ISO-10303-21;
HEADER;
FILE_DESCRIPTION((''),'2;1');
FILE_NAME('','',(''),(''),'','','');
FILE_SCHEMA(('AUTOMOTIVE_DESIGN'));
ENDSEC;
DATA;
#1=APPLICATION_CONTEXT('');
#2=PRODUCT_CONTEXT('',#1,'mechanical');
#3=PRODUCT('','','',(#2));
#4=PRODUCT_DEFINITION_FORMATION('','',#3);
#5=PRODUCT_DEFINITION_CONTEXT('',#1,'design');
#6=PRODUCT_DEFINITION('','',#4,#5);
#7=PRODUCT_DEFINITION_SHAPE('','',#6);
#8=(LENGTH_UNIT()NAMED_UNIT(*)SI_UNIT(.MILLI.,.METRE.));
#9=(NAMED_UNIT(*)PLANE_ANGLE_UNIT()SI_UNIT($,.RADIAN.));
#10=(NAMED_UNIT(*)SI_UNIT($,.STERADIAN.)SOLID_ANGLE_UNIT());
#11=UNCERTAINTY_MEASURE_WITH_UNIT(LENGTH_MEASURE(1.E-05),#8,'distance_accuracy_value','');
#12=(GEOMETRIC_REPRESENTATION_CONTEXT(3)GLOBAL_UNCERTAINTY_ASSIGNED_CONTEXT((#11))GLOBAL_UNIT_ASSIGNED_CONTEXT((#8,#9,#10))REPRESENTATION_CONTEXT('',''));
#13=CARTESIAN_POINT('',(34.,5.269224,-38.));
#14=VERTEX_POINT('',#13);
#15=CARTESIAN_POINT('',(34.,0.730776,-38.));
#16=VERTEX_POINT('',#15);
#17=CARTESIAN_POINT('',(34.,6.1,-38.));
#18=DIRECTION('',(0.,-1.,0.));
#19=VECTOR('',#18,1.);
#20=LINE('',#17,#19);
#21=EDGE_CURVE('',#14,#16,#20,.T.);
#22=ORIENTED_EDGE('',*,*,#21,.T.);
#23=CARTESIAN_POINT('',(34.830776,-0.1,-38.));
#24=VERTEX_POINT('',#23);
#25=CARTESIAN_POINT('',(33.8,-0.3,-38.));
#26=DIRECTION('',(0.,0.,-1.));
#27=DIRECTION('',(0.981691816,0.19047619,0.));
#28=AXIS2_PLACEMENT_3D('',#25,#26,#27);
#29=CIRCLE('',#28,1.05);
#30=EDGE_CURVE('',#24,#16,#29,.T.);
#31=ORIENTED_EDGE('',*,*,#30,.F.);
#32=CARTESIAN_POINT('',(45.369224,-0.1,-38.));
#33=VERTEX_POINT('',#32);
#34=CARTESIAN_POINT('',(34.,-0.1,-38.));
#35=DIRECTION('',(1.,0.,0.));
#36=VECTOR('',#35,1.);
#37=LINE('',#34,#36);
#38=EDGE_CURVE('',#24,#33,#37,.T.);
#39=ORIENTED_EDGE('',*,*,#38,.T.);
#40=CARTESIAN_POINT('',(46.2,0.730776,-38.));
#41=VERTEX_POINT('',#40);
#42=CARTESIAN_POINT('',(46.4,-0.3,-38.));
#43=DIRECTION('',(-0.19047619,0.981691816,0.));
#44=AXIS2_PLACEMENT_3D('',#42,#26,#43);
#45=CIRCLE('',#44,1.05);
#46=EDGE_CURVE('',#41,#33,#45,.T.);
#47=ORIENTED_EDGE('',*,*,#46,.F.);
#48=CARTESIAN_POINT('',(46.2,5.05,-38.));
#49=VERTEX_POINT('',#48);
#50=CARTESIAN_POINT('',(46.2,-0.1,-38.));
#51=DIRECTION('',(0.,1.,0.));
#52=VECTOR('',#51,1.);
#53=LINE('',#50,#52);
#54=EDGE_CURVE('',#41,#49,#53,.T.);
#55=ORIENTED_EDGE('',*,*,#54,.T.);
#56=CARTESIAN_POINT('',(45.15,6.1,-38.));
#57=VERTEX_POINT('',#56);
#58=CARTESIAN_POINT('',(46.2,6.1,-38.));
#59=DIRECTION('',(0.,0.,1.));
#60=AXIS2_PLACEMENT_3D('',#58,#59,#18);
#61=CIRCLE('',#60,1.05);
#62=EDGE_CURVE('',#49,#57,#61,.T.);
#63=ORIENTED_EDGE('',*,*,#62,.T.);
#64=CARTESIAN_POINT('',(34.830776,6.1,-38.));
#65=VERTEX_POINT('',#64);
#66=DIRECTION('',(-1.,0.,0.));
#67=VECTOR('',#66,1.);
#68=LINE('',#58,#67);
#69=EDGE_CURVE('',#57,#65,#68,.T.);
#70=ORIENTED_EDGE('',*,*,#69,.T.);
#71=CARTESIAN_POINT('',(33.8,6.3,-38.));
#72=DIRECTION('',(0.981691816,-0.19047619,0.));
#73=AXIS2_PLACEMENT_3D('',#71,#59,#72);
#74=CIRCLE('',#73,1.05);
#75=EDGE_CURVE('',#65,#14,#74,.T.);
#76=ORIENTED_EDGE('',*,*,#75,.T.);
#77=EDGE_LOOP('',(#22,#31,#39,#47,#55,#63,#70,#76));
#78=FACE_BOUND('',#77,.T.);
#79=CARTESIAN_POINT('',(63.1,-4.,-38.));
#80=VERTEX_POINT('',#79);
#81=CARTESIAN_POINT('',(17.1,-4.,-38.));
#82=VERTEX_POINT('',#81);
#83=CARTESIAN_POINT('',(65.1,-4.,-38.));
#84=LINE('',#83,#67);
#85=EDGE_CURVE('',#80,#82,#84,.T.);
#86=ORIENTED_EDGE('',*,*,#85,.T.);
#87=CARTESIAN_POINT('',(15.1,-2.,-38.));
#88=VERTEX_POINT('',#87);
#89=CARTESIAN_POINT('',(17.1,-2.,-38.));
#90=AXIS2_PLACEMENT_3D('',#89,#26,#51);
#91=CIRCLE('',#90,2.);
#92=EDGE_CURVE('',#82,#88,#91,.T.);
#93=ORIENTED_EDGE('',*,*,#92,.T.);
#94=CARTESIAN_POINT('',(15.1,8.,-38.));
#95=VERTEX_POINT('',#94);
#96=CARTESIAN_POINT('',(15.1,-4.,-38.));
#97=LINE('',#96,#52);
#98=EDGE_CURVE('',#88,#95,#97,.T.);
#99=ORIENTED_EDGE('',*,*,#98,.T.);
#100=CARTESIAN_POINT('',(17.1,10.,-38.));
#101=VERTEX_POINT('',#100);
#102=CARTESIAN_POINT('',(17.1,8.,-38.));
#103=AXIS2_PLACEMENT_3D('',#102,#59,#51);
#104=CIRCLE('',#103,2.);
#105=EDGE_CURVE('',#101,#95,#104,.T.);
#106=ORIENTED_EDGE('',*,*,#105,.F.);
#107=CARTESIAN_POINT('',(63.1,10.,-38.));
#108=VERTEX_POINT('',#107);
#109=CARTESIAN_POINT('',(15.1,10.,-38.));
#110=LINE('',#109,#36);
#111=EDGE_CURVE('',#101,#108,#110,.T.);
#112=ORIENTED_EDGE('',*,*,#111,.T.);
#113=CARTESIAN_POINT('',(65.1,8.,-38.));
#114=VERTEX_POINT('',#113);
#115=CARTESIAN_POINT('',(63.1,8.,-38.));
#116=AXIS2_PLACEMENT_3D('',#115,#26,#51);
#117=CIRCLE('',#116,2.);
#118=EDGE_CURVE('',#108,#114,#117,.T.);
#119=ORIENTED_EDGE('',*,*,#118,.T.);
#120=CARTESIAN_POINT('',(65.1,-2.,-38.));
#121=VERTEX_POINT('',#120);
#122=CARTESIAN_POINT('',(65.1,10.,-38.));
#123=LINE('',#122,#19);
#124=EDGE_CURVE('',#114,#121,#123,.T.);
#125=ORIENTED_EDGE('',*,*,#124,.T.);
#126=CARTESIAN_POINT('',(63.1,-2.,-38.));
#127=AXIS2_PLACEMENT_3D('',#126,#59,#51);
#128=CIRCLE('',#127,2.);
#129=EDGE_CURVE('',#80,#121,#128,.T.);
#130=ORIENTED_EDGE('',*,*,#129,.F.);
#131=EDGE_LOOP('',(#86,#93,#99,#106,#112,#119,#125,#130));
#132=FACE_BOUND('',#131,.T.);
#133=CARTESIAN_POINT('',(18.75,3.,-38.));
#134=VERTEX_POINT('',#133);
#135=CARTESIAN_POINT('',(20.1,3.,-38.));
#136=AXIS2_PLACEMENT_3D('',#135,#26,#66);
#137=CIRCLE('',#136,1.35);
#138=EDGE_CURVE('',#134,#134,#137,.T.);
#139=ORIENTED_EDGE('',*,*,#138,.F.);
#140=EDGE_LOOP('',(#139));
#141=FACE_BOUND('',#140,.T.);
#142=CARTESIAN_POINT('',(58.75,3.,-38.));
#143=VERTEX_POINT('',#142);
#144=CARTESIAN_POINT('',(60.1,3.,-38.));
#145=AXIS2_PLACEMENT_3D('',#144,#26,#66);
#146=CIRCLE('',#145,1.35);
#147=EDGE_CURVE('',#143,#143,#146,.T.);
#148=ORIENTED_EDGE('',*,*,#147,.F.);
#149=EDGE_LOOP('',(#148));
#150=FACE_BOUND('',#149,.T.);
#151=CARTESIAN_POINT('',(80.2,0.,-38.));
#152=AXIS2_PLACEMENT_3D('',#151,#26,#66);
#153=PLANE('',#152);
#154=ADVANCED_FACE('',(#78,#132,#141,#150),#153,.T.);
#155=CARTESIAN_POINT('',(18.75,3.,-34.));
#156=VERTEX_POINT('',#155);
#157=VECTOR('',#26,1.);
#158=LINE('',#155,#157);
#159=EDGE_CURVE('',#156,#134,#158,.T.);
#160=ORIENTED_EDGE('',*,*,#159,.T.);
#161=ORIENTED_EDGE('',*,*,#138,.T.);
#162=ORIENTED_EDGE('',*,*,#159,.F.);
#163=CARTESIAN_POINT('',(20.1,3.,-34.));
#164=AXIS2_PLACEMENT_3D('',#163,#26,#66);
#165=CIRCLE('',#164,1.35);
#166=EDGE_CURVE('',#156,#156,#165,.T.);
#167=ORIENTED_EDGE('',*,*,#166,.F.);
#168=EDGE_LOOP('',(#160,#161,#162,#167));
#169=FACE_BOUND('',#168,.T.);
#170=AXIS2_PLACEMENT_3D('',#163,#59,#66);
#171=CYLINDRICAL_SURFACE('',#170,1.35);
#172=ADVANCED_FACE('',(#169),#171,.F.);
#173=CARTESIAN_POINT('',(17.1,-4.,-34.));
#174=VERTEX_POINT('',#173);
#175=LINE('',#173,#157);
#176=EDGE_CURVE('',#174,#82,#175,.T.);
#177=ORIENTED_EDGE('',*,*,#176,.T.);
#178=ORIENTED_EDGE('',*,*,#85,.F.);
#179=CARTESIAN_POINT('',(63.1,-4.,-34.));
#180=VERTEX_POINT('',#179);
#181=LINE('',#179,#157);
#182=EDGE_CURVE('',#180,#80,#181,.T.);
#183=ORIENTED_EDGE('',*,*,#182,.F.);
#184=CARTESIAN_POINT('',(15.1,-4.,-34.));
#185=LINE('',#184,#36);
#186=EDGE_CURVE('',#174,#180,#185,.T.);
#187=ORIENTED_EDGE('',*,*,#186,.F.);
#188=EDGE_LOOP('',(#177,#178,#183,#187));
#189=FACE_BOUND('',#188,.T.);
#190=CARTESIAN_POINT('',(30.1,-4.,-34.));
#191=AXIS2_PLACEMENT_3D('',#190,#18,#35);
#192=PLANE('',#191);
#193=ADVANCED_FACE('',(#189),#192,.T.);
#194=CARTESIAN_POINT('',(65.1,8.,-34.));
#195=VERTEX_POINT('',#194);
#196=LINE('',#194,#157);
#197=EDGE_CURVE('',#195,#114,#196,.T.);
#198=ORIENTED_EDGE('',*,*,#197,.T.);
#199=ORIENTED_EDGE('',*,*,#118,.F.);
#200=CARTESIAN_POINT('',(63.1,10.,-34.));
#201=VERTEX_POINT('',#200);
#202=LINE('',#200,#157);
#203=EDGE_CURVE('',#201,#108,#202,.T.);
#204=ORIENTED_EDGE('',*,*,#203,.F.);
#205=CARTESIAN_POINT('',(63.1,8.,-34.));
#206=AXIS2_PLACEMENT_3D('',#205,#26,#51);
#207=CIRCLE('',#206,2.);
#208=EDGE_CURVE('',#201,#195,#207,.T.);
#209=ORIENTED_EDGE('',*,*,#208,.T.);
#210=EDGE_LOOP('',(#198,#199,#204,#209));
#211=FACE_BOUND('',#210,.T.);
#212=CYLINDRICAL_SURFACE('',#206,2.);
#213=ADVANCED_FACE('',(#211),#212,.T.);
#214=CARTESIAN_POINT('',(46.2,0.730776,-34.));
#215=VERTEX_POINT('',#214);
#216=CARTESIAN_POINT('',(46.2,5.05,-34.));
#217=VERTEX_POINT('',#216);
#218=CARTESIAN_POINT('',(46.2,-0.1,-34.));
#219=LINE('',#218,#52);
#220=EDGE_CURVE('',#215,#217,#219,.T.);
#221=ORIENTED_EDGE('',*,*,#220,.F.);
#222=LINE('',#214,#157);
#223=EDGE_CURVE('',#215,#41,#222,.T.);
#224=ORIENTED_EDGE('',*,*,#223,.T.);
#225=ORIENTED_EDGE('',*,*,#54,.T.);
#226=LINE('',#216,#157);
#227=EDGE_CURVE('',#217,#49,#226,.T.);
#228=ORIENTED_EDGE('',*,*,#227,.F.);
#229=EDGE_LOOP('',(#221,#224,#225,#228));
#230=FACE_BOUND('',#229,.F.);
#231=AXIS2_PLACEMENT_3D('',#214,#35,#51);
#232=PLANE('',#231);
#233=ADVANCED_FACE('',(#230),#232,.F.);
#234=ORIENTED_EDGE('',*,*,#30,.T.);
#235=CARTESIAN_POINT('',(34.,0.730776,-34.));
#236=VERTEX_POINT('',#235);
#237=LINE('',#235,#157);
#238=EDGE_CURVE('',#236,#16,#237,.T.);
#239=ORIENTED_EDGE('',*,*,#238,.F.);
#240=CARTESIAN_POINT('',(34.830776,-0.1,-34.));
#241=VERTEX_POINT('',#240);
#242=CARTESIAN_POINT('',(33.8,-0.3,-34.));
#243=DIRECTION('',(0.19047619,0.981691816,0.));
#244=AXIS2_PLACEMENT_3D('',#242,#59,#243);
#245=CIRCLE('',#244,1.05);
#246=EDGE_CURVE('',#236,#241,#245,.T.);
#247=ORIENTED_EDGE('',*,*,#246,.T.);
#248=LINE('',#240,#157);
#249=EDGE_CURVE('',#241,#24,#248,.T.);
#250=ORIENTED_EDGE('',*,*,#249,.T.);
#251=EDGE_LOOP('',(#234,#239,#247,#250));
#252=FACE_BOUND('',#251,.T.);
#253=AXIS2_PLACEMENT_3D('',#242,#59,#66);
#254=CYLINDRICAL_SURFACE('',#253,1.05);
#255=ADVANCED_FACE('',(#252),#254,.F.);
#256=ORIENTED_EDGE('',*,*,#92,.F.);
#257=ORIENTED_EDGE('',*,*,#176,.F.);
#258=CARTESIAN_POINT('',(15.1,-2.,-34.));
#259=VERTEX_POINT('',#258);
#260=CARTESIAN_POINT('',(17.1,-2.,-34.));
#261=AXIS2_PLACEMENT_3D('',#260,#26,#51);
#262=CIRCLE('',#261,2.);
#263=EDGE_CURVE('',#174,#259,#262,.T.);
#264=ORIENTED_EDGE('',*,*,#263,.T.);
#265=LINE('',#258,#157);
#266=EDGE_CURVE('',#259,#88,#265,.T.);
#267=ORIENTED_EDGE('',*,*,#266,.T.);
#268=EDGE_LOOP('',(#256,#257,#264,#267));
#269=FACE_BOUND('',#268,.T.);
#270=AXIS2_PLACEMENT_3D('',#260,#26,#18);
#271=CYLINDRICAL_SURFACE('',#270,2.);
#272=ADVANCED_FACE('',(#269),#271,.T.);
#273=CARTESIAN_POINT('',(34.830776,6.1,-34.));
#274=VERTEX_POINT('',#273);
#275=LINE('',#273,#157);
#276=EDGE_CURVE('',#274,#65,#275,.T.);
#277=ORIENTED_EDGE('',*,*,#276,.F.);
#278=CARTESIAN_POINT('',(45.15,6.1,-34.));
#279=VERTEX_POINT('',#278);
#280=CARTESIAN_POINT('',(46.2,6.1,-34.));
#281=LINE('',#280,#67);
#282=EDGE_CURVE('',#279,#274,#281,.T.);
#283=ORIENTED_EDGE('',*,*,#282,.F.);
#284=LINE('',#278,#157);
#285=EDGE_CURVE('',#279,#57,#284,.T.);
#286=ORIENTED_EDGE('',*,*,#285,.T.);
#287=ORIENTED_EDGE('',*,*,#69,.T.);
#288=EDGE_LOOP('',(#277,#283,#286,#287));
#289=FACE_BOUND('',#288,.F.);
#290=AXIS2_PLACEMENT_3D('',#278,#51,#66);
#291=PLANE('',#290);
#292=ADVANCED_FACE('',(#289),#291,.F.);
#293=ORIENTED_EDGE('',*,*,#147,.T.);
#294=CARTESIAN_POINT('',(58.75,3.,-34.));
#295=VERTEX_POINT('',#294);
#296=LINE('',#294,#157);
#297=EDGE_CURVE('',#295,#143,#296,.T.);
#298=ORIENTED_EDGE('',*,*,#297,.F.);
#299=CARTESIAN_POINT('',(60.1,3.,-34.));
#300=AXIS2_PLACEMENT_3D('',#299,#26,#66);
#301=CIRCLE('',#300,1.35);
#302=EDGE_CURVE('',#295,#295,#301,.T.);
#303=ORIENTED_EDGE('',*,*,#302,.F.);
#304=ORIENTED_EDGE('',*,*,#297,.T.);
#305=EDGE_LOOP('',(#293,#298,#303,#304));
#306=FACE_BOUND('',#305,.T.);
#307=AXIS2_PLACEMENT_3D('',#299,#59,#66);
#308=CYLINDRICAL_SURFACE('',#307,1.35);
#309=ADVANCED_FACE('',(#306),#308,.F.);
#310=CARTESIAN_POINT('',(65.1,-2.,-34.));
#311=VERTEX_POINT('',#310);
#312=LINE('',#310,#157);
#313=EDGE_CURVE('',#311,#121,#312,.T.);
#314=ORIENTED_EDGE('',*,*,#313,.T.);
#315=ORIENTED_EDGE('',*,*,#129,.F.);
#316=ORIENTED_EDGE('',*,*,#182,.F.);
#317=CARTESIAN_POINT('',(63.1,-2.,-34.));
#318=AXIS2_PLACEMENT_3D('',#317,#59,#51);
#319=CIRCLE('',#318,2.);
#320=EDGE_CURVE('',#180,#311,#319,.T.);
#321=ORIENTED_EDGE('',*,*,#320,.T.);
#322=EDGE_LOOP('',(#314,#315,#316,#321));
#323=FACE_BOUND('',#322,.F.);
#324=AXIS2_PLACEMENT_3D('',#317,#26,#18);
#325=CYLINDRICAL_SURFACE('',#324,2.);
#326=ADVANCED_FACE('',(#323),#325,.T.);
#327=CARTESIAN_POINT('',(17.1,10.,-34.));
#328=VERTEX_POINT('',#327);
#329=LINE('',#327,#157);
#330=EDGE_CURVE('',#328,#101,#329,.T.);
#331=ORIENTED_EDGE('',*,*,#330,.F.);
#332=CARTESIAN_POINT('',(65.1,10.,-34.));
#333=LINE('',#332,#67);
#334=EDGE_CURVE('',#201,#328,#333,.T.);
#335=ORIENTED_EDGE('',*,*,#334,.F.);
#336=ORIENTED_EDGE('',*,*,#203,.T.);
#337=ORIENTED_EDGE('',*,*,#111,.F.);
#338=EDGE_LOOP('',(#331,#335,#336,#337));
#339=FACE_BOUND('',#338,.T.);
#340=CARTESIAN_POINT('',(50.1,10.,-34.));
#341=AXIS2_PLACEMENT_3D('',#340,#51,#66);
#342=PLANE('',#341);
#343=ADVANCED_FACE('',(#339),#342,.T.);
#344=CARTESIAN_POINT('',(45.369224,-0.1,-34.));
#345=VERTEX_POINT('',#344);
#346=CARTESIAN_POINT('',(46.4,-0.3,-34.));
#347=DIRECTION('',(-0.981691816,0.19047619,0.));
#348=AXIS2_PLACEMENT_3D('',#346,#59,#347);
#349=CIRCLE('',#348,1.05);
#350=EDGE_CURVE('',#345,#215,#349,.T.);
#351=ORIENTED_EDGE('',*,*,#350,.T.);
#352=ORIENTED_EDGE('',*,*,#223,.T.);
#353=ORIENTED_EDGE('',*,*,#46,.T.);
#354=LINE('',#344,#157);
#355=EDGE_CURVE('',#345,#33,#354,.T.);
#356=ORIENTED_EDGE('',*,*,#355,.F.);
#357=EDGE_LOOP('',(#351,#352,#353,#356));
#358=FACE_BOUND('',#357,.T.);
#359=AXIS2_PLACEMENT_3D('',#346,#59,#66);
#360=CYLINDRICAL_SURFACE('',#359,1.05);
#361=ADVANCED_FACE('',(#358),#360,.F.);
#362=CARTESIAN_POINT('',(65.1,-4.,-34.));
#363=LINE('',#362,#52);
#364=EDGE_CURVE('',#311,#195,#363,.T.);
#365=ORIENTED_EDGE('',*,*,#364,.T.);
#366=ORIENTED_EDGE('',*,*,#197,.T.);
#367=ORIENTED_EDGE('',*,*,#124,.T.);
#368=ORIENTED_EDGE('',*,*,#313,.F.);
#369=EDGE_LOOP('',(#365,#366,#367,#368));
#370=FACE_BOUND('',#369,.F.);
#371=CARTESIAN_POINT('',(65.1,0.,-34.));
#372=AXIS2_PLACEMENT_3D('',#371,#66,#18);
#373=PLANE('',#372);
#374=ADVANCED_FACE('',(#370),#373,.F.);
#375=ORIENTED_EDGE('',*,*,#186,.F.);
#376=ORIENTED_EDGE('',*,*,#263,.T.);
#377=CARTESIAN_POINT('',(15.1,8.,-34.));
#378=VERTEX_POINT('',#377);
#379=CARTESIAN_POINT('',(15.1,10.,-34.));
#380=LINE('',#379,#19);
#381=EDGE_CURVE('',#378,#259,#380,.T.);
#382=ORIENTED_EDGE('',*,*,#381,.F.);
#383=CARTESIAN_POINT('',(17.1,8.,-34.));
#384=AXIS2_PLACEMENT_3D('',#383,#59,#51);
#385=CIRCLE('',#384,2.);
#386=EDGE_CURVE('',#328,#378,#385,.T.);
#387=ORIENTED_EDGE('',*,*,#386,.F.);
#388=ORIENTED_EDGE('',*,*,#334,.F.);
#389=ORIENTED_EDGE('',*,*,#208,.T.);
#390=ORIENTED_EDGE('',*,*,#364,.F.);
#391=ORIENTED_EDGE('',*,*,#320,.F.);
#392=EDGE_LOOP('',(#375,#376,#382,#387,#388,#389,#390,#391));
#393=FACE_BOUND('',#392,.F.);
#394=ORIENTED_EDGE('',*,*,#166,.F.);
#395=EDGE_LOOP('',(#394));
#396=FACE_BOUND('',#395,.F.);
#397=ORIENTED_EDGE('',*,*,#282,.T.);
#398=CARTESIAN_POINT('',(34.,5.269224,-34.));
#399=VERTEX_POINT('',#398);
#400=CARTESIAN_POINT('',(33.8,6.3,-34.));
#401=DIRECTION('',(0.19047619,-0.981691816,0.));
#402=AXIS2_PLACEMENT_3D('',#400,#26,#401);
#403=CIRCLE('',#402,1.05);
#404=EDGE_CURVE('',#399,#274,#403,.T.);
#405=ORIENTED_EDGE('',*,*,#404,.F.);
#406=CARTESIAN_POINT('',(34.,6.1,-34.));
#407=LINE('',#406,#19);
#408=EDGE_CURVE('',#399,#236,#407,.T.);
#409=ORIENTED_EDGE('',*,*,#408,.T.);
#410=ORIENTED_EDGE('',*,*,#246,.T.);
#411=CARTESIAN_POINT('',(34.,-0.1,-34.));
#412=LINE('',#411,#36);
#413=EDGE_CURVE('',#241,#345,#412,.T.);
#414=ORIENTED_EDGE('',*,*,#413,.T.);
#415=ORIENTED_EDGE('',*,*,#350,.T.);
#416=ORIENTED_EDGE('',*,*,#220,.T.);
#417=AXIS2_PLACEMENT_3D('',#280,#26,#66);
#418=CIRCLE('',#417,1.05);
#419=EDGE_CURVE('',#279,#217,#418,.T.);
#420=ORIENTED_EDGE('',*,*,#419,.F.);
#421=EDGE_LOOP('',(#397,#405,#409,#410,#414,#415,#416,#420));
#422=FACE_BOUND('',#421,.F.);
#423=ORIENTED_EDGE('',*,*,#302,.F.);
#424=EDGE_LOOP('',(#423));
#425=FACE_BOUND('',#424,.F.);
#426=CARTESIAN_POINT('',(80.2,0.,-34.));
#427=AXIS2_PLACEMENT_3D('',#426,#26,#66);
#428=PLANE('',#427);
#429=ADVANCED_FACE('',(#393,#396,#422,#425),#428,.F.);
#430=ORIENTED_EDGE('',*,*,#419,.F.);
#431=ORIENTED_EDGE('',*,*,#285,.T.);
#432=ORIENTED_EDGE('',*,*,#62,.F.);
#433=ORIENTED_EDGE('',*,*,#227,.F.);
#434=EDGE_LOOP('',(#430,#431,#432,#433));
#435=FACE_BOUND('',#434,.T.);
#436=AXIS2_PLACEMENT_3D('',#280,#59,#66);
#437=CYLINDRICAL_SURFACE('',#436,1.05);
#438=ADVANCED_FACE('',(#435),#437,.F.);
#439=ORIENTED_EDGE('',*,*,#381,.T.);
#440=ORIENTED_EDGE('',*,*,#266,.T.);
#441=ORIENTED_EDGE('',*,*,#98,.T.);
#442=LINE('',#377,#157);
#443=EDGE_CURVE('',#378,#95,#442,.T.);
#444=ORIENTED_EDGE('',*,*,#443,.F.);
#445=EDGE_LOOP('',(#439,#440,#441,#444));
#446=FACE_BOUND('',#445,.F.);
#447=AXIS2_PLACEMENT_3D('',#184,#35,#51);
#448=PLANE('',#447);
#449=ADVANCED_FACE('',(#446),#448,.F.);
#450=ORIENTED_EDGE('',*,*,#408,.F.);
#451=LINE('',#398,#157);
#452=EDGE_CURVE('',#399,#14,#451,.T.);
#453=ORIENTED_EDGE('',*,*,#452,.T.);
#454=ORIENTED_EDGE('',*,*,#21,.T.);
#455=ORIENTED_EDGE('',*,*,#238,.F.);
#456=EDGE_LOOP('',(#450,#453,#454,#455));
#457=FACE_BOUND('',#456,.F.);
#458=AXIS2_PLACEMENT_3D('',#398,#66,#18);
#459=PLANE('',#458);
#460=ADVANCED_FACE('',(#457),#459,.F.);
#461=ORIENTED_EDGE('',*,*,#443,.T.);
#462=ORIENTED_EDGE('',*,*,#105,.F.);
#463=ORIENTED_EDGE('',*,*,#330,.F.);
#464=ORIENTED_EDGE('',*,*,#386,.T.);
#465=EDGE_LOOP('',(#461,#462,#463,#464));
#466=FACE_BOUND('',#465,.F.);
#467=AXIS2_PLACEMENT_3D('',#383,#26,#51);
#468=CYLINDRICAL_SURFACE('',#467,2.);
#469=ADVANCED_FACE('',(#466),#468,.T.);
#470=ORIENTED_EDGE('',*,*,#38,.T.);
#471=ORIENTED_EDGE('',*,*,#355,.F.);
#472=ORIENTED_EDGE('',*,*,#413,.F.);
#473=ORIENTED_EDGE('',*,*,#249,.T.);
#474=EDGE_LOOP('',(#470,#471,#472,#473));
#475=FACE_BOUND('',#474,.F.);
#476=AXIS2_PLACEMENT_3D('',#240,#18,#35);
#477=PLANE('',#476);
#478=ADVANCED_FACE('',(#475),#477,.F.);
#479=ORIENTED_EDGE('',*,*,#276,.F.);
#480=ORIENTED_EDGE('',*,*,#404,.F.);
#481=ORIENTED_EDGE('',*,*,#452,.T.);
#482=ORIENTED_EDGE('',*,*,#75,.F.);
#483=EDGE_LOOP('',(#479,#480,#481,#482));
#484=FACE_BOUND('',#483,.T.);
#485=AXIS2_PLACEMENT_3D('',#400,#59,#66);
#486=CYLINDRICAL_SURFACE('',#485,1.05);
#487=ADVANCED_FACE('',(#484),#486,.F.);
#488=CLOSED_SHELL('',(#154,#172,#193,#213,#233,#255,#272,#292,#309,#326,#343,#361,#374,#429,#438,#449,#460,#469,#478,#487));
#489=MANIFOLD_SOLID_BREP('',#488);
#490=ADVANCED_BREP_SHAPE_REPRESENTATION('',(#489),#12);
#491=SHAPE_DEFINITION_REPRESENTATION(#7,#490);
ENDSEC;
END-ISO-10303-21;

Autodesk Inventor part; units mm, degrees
ref_plane "YZ Plane" through (0, 0, 0) normal (1, 0, 0) x (0, 1, 0)
ref_plane "XZ Plane" through (0, 0, 0) normal (0, 1, 0) x (-1, 0, 0)
ref_plane "XY Plane" through (0, 0, 0) normal (0, 0, 1) x (1, 0, 0)
ref_plane "작업 평면1" through (80.2, 0, -34) normal (0, 0, -1) x (-1, 0, 0)
sketch "스케치1" plane through (80.2, 0, -34) normal (0, 0, -1) x (-1, 0, 0)
  line L0 (34.1, 0) -> (46.1, 0) projected
  line L1 (46.1, 0) -> (46.1, 6) projected
  line L2 (34.1, 6) -> (46.1, 6) projected
  line L3 (34.1, 0) -> (34.1, 6) projected
  line L4 (46.2, 6.1) -> (46.2, -0.1)
  line L5 (46.2, -0.1) -> (34, -0.1)
  line L6 (34, -0.1) -> (34, 6.1)
  line L7 (34, 6.1) -> (46.2, 6.1)
  line L8 (33.1, 0) -> (33.1, 6) projected
  line L9 (0, 6) -> (33.1, 6) projected
  line L10 (0, 0) -> (0, 6) projected
  line L11 (0, 0) -> (33.1, 0) projected
  circle A0 centre (20.1, 3) radius 1.35 projected
  line L12 (47.1, 6) -> (47.1, 0) projected
  line L13 (47.1, 0) -> (80.2, 0) projected
  line L14 (80.2, 0) -> (80.2, 6) projected
  line L15 (47.1, 6) -> (80.2, 6) projected
  circle A1 centre (60.1, 3) radius 1.35 projected
  line L16 (50.1, 10) -> (50.1, -4)
  line L17 (50.1, -4) -> (30.1, -4)
  line L18 (30.1, -4) -> (30.1, 10)
  line L19 (30.1, 10) -> (50.1, 10)
  line L20 (15.1, -4) -> (25.1, -4)
  line L21 (25.1, -4) -> (25.1, 10)
  line L22 (25.1, 10) -> (15.1, 10)
  line L23 (15.1, 10) -> (15.1, -4)
  line L24 (15.1, -4) -> (25.1, 10) construction
  line L25 (25.1, -4) -> (15.1, 10) construction
  line L26 (55.1, -4) -> (65.1, -4)
  line L27 (65.1, -4) -> (65.1, 10)
  line L28 (65.1, 10) -> (55.1, 10)
  line L29 (55.1, 10) -> (55.1, -4)
  line L30 (55.1, -4) -> (65.1, 10) construction
  line L31 (65.1, -4) -> (55.1, 10) construction
  line L32 (15.1, 10) -> (65.1, 10)
  line L33 (65.1, 10) -> (65.1, -4)
  line L34 (65.1, -4) -> (15.1, -4)
  line L35 (15.1, -4) -> (15.1, 10)
  circle A2 centre (34, 6.1) radius 1.05
  circle A3 centre (33.8, -0.3) radius 1.05
  circle A4 centre (46.4, -0.3) radius 1.05
  circle A5 centre (46.4, 6.3) radius 1.05
  point P0 (34, 0.7308)
  point P1 (34, 5.05)
  point P2 (35.05, 6.1)
  point P3 (45.3692, 6.1)
  point P4 (46.2, 5.2692)
  point P5 (46.2, 0.7308)
  point P6 (45.3692, -0.1)
  point P7 (34.8308, -0.1)
  point P8 (50.1, -4)
  dimension "d0" = 0.1
  dimension "d1" = 4
  dimension "d2" = 10
  dimension "d3" = 14
  dimension "d4" = 10
  dimension "d5" = 14
  dimension "d6" = 2.1
  dimension "d7" = 2.1
  dimension "d8" = 2.1
  dimension "d9" = 2.1
extrude "돌출1" add sketch "스케치1" along normal blind 4 contours L5 A4 L13 L16 L17 L18 L11 A3 | A3 L8 A2 L6 | A3 L11 L18 L9 A2 L8 | L4 A5 L12 A4 | A2 L9 L18 L19 L16 L15 A5 L7 | L12 A5 L15 L16 L13 A4 | L18 L34 L21 L11 | L11 L21 L9 L18 | L16 L15 L29 L13 | L13 L29 L34 L16 | L21 L20 L23 L11 | L11 L23 L9 L21 | L9 L21 L32 L18 | L29 L15 L27 L13 | L13 L27 L26 L29 | L16 L32 L29 L15 | L9 L23 L22 L21 | L29 L28 L27 L15
fillet "모깎기1" radius 2 4 edges at (15.1, -4, -36) (15.1, 10, -36) (65.1, -4, -36) (65.1, 10, -36)
properties part number "zig8"
